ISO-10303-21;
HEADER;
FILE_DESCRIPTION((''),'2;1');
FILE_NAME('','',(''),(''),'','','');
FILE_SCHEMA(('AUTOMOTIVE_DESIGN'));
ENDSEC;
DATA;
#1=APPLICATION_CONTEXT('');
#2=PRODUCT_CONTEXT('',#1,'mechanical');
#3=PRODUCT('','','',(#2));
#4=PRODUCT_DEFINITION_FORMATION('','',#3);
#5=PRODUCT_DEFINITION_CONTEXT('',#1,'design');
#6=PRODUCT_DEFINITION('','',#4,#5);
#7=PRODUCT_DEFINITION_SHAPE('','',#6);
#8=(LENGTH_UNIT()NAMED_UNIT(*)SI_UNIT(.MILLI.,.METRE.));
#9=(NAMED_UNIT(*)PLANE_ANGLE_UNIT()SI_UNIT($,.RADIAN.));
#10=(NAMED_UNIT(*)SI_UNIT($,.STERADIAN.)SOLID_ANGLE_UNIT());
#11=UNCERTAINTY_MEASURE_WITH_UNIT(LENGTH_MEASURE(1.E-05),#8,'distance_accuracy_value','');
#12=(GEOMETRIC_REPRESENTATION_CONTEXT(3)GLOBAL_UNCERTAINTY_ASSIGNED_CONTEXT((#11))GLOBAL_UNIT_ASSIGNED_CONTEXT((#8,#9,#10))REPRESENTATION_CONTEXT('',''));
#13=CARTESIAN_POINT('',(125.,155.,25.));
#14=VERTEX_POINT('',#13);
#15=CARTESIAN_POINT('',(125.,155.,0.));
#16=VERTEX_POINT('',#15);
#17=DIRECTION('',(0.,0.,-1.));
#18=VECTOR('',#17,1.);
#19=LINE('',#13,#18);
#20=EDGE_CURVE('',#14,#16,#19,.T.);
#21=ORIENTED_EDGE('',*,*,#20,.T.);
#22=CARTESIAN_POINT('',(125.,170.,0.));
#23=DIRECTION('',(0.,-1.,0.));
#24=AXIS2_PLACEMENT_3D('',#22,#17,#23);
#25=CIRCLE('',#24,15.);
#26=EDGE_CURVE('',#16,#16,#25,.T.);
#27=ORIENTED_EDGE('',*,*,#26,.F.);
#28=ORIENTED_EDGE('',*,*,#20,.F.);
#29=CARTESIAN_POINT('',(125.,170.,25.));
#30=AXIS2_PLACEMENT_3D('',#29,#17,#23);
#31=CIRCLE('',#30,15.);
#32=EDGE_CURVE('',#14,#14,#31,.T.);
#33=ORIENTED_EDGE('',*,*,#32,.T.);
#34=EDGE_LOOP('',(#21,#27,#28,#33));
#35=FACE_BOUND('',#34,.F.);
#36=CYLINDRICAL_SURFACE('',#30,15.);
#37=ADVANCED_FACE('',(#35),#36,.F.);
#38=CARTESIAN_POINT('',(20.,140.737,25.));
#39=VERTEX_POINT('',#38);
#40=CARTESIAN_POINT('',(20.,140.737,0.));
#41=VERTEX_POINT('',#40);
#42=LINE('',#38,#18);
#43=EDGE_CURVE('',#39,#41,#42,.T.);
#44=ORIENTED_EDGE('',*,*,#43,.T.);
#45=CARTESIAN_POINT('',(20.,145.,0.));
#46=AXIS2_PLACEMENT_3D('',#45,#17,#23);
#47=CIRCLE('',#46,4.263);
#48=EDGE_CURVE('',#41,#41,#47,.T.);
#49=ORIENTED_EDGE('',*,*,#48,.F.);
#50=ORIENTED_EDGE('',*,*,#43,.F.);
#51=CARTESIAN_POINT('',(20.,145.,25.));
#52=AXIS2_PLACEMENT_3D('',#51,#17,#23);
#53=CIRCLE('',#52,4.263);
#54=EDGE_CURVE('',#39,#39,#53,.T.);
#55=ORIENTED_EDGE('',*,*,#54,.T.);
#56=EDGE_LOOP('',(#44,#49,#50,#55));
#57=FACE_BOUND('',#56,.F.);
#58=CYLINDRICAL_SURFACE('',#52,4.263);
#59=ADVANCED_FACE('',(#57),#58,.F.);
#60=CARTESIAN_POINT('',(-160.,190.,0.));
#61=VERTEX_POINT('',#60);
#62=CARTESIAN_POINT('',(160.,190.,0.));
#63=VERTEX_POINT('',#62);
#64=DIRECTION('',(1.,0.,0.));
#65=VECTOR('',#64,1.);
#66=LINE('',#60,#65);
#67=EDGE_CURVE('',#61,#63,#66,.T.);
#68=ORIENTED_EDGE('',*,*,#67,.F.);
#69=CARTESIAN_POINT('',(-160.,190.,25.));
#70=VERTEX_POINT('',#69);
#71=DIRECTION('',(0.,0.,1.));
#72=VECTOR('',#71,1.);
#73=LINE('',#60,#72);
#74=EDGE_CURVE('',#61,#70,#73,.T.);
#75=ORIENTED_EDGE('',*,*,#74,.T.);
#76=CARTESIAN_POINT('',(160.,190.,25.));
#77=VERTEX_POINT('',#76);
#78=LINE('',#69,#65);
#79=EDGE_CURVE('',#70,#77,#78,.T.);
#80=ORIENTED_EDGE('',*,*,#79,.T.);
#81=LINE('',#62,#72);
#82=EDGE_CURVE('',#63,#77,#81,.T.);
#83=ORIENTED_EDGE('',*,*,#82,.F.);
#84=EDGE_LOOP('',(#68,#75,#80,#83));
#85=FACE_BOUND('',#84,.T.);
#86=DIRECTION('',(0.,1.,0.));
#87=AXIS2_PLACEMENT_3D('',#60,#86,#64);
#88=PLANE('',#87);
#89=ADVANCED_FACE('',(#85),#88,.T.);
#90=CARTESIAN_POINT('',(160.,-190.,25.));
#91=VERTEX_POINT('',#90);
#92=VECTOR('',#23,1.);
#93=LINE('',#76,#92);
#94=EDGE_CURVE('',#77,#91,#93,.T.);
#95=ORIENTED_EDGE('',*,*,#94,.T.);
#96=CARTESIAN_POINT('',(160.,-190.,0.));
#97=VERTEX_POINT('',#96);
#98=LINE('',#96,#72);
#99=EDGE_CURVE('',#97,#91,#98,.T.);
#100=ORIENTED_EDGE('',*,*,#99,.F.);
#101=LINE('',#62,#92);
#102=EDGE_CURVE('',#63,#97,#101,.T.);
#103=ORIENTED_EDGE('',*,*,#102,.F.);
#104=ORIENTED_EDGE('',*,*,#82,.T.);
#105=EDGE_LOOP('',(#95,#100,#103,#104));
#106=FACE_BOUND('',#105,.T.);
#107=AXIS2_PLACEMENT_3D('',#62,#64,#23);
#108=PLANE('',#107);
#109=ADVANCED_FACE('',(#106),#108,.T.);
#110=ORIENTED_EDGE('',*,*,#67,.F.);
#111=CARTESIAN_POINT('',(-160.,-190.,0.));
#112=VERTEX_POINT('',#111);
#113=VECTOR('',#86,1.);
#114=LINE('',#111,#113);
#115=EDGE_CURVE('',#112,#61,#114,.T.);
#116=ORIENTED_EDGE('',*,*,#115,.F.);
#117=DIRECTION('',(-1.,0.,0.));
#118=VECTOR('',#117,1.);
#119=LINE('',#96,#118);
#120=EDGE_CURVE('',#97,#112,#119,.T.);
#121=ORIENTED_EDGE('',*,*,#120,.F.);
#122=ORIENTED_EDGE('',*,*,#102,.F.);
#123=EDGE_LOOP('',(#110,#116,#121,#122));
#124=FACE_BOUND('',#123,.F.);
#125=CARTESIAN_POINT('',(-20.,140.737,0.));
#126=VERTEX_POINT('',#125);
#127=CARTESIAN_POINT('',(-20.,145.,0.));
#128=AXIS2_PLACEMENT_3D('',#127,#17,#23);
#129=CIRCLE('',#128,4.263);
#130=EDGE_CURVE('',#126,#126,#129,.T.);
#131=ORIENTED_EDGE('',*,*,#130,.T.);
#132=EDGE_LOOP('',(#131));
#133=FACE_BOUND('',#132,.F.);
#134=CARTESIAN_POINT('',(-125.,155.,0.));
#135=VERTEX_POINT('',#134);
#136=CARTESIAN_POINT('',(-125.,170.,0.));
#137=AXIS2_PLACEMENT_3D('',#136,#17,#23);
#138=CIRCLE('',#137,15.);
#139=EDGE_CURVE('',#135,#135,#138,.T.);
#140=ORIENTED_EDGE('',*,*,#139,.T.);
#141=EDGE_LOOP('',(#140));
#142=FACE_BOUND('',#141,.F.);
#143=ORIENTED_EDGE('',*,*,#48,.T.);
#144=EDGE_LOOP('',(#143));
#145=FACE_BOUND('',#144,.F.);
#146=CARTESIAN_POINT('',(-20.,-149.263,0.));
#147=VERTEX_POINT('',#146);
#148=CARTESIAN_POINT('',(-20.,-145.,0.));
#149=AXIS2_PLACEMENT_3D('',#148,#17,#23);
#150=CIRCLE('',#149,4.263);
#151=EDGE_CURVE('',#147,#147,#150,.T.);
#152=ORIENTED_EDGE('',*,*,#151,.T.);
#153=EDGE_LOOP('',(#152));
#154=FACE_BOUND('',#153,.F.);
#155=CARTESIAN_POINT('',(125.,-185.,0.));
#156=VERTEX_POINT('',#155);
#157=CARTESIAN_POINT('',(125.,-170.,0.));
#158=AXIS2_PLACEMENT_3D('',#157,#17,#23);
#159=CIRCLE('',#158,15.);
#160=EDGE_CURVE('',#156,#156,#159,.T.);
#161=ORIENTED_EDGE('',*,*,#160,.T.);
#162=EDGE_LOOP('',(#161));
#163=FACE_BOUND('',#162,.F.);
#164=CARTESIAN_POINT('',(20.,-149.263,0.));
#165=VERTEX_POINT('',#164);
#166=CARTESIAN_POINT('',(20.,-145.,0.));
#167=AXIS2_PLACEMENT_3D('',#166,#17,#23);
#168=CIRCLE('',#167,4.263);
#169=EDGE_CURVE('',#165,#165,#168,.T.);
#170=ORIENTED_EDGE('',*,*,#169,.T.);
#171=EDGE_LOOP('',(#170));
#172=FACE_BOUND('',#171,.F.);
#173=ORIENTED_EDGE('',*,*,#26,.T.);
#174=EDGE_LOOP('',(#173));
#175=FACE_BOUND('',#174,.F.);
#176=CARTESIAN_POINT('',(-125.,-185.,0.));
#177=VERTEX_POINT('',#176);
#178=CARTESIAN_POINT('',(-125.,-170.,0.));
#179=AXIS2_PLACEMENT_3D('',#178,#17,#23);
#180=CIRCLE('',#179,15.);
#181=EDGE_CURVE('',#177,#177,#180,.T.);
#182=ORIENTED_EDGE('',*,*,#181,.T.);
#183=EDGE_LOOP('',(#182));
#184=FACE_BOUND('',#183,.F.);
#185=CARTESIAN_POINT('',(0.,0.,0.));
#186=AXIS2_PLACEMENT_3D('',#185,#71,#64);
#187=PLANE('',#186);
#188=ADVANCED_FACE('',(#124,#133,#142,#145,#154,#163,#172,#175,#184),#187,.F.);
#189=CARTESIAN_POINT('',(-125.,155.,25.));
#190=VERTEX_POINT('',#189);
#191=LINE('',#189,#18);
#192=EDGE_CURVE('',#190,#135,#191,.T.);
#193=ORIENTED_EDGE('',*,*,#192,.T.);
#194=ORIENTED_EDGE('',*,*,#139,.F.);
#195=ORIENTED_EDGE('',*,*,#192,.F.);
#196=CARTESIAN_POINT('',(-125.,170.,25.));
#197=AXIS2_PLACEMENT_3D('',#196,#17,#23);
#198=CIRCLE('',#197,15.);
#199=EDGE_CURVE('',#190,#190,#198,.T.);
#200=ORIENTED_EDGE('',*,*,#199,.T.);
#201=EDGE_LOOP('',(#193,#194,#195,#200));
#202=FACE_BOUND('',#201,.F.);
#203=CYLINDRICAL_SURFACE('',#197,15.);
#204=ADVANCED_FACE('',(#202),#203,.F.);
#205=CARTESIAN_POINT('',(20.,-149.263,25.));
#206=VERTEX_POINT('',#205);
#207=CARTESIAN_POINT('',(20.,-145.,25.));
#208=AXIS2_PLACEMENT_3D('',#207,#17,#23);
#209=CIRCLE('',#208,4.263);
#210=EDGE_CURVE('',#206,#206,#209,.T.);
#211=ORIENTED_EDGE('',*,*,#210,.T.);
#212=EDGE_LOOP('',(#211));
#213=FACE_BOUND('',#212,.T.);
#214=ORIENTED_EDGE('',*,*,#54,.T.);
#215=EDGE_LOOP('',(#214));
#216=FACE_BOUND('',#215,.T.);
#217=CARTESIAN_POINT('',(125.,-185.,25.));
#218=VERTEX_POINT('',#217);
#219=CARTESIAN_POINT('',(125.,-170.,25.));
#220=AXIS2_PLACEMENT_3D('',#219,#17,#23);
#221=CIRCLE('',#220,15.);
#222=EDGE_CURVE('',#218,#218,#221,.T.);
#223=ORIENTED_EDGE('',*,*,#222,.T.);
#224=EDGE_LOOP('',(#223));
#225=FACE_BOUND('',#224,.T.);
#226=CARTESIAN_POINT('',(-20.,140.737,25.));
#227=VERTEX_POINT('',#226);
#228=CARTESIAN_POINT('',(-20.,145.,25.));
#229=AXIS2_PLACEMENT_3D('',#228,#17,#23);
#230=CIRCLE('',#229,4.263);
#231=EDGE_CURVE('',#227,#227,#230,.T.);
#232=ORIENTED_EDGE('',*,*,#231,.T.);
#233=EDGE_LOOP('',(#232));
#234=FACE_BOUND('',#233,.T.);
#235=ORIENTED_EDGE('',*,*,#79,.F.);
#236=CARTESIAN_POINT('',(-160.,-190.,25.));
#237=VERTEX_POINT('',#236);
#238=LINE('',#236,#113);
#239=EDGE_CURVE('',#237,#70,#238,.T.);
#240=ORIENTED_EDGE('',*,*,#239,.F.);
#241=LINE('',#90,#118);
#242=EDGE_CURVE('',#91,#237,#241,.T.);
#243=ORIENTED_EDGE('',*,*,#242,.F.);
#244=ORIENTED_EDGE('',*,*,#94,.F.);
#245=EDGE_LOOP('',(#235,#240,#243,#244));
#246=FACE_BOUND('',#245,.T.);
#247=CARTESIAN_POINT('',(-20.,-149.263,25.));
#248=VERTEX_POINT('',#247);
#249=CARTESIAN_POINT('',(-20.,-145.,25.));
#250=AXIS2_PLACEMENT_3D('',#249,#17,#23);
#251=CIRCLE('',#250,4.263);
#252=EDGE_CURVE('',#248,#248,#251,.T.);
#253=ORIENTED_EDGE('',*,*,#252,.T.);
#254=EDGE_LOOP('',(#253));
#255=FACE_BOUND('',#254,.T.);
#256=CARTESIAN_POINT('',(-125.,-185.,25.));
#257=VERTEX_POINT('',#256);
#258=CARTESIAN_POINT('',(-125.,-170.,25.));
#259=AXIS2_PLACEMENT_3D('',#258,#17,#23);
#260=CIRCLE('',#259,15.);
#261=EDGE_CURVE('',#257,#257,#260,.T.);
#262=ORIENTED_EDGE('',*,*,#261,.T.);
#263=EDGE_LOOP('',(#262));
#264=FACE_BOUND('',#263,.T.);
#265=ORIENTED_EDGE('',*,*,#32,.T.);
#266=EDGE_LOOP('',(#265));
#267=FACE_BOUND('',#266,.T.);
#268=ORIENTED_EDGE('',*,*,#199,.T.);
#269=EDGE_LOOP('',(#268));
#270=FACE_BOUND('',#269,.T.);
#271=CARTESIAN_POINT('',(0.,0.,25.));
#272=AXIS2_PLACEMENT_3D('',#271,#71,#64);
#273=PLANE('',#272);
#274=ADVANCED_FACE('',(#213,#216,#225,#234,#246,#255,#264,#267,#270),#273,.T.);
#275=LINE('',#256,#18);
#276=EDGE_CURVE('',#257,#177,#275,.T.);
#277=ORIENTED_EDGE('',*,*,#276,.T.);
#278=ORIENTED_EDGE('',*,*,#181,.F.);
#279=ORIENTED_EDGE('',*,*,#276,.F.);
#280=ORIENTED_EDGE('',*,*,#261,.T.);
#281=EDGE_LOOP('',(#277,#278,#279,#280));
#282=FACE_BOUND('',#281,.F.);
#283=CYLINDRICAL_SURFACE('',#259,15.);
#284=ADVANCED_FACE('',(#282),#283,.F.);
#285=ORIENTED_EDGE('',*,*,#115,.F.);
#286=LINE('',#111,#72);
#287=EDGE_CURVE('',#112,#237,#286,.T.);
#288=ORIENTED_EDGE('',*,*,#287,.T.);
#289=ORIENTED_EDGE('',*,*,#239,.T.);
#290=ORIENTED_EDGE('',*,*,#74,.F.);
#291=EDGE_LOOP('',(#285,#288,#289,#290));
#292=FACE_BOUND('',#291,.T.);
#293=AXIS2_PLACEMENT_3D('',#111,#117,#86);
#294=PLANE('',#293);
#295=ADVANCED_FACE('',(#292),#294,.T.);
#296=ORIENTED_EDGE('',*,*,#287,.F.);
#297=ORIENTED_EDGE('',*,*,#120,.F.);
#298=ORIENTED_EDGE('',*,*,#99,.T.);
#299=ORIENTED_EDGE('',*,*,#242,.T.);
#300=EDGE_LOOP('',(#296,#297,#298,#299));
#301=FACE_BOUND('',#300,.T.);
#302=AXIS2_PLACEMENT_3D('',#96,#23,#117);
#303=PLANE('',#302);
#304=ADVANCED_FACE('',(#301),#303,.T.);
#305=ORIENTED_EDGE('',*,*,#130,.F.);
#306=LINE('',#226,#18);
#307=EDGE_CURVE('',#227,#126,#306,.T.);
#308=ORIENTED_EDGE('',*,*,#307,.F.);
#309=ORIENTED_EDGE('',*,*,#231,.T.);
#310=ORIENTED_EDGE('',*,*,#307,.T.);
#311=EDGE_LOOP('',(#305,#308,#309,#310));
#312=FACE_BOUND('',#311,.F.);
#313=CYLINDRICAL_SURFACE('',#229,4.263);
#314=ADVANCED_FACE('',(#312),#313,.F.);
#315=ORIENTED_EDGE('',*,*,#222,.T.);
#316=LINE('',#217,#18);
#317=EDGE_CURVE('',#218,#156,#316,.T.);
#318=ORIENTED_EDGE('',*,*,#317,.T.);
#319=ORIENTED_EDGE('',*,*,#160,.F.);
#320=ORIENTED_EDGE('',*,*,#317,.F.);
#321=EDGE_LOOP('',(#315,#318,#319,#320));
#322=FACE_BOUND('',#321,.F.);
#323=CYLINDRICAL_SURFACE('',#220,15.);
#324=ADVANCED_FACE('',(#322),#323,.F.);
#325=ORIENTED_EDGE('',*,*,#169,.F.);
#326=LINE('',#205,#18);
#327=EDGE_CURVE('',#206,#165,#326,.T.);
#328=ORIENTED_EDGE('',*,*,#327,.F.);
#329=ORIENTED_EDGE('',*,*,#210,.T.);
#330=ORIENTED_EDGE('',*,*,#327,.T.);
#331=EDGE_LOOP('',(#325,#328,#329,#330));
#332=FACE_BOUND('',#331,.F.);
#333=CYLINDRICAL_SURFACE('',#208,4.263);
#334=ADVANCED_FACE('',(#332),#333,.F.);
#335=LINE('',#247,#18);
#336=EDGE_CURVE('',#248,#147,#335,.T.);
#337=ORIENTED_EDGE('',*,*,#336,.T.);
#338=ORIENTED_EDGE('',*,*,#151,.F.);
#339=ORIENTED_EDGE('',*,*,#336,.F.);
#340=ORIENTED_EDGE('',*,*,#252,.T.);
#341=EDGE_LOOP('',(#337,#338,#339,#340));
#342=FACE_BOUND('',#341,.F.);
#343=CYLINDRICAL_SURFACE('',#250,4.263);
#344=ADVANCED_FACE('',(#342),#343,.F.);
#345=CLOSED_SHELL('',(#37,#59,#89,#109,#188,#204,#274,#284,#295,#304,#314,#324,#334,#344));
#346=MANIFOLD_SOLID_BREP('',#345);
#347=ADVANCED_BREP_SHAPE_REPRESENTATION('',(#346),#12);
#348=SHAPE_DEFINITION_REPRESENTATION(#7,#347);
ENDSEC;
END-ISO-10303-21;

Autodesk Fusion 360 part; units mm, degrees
sketch "Sketch1" plane through (0, 0, 0) normal (0, 0, 1) x (1, 0, 0)
  line L0 (160, -190) -> (-160, -190)
  line L1 (-160, -190) -> (-160, 190)
  line L2 (-160, 190) -> (160, 190)
  line L3 (160, 190) -> (160, -190)
  line L4 (160, -190) -> (-160, 190) construction
  line L5 (-160, -190) -> (160, 190) construction
  dimension "d1" = 320
  dimension "d2" = 380
extrude "Extrude1" add sketch "Sketch1" along normal blind 25
sketch "Sketch2" plane through (0, 0, 25) normal (0, 0, 1) x (1, 0, 0)
  line L0 (160, 190) -> (-160, 190)
  line L1 (-160, 190) -> (-160, -190)
  line L2 (-160, -190) -> (160, -190)
  line L3 (160, -190) -> (160, 190)
  line L4 (-160, 190) -> (-125, 190)
  line L5 (-125, 190) -> (-125, 170)
  line L6 (-125, 170) -> (-160, 170)
  line L7 (-160, 170) -> (-160, 190)
  line L8 (160, 190) -> (125, 190)
  line L9 (125, 190) -> (125, 170)
  line L10 (125, 170) -> (160, 170)
  line L11 (160, 170) -> (160, 190)
  line L12 (160, -190) -> (125, -190)
  line L13 (125, -190) -> (125, -170)
  line L14 (125, -170) -> (160, -170)
  line L15 (160, -170) -> (160, -190)
  line L16 (-160, -190) -> (-125, -190)
  line L17 (-125, -190) -> (-125, -170)
  line L18 (-125, -170) -> (-160, -170)
  line L19 (-160, -170) -> (-160, -190)
  dimension "d5" = 35
  dimension "d6" = 20
  dimension "d7" = 35
  dimension "d8" = 20
  dimension "d9" = 35
  dimension "d10" = 20
  dimension "d11" = 35
  dimension "d12" = 20
hole "Hole1" at (-125, 170, 25) at (125, 170, 25) at (125, -170, 25) at (-125, -170, 25) direction (0, 0, -1) diameter 30 depth 25 tip angle 118
sketch "Sketch3" plane through (0, 0, 25) normal (0, 0, 1) x (1, 0, 0)
  circle A0 centre (125, -170) radius 15
  circle A1 centre (-125, 170) radius 15
  circle A2 centre (125, 170) radius 15
  circle A3 centre (-125, -170) radius 15
  line L0 (160, 190) -> (-160, 190)
  line L1 (-160, 190) -> (-160, -190)
  line L2 (-160, -190) -> (160, -190)
  line L3 (160, -190) -> (160, 190)
  line L4 (50, -170) -> (-50, -170)
  line L5 (-50, -170) -> (-50, 170)
  line L6 (-50, 170) -> (50, 170)
  line L7 (50, 170) -> (50, -170)
  line L8 (50, -170) -> (-50, 170) construction
  line L9 (-50, -170) -> (50, 170) construction
  line L10 (-50, 170) -> (50, 170)
  line L11 (50, 170) -> (50, 120)
  line L12 (50, 120) -> (-50, 120)
  line L13 (-50, 120) -> (-50, 170)
  line L14 (-50, -170) -> (50, -170)
  line L15 (50, -170) -> (50, -120)
  line L16 (50, -120) -> (-50, -120)
  line L17 (-50, -120) -> (-50, -170)
  line L18 (-50, 170) -> (-20, 170)
  line L19 (-20, 170) -> (-20, 145)
  line L20 (-20, 145) -> (-50, 145)
  line L21 (-50, 145) -> (-50, 170)
  line L22 (50, 170) -> (20, 170)
  line L23 (20, 170) -> (20, 145)
  line L24 (20, 145) -> (50, 145)
  line L25 (50, 145) -> (50, 170)
  line L26 (-50, -170) -> (-20, -170)
  line L27 (-20, -170) -> (-20, -145)
  line L28 (-20, -145) -> (-50, -145)
  line L29 (-50, -145) -> (-50, -170)
  line L30 (50, -170) -> (20, -170)
  line L31 (20, -170) -> (20, -145)
  line L32 (20, -145) -> (50, -145)
  line L33 (50, -145) -> (50, -170)
  dimension "d16" = 100
  dimension "d17" = 340
  dimension "d18" = 100
  dimension "d19" = 50
  dimension "d20" = 50
  dimension "d21" = 30
  dimension "d22" = 25
  dimension "d23" = 25
  dimension "d24" = 30
  dimension "d25" = 30
  dimension "d26" = 25
  dimension "d27" = 25
  dimension "d28" = 30
hole "Hole2" at (-20, 145, 25) at (20, 145, 25) at (-20, -145, 25) at (20, -145, 25) direction (0, 0, -1) diameter 8.526 depth 25 tip angle 118
